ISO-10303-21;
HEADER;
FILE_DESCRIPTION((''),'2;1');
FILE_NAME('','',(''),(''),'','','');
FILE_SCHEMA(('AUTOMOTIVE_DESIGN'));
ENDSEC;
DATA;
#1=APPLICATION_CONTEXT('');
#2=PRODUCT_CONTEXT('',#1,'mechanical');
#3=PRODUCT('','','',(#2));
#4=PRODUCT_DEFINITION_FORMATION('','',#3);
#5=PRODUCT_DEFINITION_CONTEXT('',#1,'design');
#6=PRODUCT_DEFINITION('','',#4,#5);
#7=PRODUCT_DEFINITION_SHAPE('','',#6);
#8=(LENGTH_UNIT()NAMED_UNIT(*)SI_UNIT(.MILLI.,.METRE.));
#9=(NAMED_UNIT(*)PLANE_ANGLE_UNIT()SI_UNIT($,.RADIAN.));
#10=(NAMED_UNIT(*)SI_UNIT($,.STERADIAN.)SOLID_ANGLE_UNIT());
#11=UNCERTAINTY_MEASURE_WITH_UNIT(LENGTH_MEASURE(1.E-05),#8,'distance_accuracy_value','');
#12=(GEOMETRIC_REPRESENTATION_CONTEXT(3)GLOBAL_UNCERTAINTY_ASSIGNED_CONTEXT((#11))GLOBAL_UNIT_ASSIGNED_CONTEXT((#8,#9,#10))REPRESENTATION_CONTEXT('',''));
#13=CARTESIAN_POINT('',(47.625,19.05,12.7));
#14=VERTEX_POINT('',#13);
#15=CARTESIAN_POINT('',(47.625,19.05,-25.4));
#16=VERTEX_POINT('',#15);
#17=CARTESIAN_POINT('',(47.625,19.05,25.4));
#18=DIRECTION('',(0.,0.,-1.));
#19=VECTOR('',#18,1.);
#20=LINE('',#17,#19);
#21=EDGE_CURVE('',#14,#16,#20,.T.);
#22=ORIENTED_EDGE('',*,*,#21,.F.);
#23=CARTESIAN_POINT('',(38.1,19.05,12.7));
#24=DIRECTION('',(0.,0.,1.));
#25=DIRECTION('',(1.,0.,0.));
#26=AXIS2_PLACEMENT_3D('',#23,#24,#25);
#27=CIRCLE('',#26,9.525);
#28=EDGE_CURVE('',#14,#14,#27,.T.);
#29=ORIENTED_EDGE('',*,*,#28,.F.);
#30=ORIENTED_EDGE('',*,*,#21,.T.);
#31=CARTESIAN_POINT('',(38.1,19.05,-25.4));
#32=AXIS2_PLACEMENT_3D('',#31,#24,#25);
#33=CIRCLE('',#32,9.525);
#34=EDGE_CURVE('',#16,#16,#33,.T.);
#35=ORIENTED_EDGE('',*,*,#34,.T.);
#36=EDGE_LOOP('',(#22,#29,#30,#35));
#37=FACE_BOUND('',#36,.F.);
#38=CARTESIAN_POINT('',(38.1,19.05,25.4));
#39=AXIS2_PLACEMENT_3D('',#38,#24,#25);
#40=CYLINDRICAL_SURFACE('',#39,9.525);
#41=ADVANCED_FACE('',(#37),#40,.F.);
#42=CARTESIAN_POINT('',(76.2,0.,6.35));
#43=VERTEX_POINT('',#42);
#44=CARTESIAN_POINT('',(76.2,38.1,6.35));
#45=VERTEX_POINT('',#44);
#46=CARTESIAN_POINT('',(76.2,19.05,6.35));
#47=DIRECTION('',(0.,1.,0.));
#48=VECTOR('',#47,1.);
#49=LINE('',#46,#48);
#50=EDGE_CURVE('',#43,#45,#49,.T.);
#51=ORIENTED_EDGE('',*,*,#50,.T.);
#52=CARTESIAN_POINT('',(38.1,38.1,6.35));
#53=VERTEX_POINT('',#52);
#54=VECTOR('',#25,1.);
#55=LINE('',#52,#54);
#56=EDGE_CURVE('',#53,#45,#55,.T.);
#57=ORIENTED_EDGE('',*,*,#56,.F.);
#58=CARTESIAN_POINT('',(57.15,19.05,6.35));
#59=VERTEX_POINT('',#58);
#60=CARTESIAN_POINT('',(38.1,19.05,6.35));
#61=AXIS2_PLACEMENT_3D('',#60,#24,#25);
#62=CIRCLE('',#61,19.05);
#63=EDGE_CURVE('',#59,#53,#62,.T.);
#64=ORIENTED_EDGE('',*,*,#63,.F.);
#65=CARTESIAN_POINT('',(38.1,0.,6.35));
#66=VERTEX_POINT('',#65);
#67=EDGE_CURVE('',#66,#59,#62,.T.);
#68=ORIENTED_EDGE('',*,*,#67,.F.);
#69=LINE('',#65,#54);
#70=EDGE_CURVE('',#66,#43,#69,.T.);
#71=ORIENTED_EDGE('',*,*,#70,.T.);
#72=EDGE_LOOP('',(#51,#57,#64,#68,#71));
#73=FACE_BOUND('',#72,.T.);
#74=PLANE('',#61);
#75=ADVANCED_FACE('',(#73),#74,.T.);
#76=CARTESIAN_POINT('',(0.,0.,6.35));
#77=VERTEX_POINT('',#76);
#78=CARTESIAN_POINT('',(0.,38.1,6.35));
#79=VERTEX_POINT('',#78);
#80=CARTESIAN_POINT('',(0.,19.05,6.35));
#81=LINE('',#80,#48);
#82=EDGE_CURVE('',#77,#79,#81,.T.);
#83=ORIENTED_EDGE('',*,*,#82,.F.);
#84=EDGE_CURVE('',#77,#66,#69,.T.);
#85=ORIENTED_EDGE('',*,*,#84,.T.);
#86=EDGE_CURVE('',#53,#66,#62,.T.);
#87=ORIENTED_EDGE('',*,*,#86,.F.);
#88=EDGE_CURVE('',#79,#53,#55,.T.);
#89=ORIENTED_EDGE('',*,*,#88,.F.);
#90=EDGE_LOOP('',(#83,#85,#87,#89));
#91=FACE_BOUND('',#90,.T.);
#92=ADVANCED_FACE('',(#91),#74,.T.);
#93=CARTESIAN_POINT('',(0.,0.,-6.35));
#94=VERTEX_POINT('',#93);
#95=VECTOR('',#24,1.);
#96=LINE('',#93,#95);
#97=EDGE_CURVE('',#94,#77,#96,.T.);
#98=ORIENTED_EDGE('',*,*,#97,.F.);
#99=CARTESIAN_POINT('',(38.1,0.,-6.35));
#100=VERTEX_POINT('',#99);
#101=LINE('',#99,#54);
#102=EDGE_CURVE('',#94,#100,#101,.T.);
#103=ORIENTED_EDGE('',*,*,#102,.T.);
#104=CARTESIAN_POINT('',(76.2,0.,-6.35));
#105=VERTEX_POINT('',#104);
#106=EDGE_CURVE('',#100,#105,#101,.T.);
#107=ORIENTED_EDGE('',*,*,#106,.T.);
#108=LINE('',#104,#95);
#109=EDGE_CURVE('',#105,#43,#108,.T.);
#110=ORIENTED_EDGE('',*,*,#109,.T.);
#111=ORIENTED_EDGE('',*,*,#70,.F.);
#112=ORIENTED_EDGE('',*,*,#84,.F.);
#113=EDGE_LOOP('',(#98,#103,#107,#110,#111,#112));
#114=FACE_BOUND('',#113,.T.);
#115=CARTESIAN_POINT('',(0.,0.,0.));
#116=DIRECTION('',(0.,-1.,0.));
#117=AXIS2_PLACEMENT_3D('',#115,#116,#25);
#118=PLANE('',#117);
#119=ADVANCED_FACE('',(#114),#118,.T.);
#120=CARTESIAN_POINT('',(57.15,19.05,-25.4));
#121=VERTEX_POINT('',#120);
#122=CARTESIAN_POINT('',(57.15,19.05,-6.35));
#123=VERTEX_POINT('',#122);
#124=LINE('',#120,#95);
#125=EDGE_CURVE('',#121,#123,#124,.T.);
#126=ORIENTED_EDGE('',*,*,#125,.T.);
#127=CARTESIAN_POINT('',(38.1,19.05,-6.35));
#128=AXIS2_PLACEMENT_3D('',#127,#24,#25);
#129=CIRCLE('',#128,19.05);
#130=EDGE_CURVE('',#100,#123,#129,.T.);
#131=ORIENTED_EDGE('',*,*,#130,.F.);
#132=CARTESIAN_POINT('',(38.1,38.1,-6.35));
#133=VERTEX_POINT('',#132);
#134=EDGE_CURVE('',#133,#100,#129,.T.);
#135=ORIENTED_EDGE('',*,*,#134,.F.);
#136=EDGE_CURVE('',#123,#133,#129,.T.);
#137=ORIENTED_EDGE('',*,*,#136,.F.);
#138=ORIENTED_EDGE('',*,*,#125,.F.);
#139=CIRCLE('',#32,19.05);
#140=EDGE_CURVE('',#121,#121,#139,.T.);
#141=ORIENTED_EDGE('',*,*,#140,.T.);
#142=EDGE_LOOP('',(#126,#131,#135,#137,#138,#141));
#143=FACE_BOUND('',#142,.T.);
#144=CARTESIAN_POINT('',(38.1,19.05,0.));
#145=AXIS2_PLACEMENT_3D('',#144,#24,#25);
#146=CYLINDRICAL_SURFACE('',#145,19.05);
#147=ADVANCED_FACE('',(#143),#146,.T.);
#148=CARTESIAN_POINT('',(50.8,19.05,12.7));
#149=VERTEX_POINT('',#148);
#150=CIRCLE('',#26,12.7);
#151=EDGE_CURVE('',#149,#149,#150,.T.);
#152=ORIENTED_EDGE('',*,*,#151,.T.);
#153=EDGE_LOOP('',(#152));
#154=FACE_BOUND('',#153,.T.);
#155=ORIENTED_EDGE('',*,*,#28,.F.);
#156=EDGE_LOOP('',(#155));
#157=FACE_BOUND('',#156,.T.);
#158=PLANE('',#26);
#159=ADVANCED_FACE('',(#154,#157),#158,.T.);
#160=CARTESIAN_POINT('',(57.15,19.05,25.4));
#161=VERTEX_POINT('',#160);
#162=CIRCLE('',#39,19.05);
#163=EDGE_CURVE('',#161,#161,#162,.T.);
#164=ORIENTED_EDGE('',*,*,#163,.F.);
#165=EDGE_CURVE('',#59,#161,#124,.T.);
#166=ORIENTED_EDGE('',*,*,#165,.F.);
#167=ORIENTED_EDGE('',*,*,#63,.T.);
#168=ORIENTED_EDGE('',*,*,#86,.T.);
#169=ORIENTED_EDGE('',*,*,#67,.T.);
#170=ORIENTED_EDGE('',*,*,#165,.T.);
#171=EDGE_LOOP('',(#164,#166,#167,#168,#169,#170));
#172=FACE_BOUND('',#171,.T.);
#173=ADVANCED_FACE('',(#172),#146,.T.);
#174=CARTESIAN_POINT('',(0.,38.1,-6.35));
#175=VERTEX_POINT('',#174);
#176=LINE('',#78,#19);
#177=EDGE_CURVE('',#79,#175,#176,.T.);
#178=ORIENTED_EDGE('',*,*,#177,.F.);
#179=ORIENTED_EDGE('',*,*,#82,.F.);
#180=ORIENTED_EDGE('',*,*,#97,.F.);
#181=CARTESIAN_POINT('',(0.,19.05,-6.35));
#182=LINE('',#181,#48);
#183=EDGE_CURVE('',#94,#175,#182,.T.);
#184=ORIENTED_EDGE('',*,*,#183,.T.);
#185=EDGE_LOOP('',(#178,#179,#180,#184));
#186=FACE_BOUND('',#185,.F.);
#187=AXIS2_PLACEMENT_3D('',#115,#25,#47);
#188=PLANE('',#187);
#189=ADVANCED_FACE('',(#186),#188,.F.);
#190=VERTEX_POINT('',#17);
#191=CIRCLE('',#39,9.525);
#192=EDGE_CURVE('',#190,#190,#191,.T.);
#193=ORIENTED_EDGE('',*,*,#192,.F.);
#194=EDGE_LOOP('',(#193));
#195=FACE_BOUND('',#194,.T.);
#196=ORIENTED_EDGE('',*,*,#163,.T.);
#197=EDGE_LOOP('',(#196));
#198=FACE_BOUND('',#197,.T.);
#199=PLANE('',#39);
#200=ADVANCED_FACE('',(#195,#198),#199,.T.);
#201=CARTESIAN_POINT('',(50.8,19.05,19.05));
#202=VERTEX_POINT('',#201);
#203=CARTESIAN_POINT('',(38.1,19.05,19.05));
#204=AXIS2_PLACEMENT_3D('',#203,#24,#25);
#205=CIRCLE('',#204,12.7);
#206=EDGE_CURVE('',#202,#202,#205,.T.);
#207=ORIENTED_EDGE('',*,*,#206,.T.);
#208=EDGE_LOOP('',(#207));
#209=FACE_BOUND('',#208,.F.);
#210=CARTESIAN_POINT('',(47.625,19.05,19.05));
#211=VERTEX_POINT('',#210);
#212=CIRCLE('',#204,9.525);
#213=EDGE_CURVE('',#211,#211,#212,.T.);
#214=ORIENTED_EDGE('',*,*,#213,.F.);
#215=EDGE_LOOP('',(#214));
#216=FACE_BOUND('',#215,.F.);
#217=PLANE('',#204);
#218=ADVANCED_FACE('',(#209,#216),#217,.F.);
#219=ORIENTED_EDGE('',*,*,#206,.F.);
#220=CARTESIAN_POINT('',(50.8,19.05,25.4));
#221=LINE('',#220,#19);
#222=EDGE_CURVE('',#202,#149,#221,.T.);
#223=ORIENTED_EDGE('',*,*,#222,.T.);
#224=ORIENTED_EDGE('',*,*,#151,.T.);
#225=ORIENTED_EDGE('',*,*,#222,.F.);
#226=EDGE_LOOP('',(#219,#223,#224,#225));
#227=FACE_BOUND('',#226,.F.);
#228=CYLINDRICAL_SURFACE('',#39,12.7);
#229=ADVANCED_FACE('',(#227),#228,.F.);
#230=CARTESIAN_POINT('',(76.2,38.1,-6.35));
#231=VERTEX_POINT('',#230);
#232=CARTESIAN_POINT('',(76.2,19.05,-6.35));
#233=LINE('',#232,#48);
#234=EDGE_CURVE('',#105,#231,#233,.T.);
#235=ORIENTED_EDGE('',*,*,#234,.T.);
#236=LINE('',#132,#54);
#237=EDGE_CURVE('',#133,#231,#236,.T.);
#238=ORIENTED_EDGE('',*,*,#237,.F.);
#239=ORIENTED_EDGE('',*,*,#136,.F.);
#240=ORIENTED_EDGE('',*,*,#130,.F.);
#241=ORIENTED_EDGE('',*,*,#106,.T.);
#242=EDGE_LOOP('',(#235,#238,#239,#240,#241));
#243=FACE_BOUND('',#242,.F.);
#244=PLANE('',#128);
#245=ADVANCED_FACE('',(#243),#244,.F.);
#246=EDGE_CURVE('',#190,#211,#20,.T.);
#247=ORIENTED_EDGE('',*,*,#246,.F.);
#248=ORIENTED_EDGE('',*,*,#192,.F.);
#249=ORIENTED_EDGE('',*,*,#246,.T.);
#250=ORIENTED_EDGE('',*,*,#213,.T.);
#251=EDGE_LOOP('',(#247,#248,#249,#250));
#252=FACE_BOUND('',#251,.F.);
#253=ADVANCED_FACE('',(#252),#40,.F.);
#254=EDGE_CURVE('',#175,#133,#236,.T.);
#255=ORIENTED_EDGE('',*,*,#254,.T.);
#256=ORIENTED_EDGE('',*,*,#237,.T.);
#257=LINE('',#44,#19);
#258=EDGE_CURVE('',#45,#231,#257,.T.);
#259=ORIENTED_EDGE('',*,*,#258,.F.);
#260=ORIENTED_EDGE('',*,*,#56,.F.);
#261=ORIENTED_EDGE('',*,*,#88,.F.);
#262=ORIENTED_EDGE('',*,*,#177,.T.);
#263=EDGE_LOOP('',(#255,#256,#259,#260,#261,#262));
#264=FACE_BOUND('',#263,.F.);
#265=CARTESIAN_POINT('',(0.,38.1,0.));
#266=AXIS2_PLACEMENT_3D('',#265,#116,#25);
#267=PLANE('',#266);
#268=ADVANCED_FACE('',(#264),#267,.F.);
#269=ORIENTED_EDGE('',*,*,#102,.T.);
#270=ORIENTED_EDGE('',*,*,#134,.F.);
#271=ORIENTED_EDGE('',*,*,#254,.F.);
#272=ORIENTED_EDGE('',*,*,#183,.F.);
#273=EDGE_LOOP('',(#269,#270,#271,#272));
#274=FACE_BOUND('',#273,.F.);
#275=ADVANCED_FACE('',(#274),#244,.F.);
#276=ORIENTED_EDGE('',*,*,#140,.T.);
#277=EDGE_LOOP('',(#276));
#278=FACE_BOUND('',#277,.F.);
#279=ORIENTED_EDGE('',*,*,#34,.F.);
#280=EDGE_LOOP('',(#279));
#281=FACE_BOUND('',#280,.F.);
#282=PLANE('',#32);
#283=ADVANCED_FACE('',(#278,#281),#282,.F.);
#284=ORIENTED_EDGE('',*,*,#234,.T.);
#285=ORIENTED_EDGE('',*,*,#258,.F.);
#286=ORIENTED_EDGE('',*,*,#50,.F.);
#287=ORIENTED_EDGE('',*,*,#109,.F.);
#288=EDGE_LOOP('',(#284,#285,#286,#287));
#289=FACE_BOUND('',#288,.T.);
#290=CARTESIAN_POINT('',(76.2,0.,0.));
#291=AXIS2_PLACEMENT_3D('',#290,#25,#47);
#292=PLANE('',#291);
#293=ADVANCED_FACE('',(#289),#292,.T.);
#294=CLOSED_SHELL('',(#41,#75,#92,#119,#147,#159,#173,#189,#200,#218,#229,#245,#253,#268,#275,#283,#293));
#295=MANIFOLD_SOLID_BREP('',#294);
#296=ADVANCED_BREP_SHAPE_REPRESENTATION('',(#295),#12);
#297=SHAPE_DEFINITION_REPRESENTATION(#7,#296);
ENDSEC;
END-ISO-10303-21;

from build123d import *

# Parameters (mm, degrees)
F0_W      = 76.2
F0_H      = 38.1
F1_DEPTH  = 6.35
F2_R      = 19.05
F3_DEPTH  = 25.4
F4_R      = 9.525
F5_DEPTH  = 50.801
F6_R      = 12.7
F7_DEPTH  = 12.7
F8_R      = 12.7
F9_DEPTH  = 6.35
F10_R     = 9.525
F11_DEPTH = 50.801


with BuildPart() as f1:
    # F0 (on Top) → F1 (new body, symmetric)
    with BuildSketch(Plane.XY):
        with Locations((38.1, 19.05)):
            Rectangle(F0_W, F0_H)
    extrude(amount=F1_DEPTH, both=True)

    # F2 (on Top) → F3 (join, symmetric)
    with BuildSketch(Plane.XY):
        with Locations((38.1, 19.05)):
            Circle(F2_R)
    extrude(amount=F3_DEPTH, both=True)

    # F4 (on face) → F5 (cut, through all)
    with BuildSketch(Plane.XY.offset(25.4)):
        with Locations((38.1, 19.05)):
            Circle(F4_R)
    extrude(amount=-F5_DEPTH, mode=Mode.SUBTRACT)

    # F6 (on face) → F7 (cut)
    with BuildSketch(Plane.XY.offset(25.4)):
        with Locations((38.1, 19.05)):
            Circle(F6_R)
    extrude(amount=-F7_DEPTH, mode=Mode.SUBTRACT)

    # F8 (on face) → F9 (join)
    with BuildSketch(Plane.XY.offset(25.4)):
        with Locations((38.1, 19.05)):
            Circle(F8_R)
    extrude(amount=-F9_DEPTH)

    # F10 (on face) → F11 (cut, through all)
    with BuildSketch(Plane.XY.offset(25.4)):
        with Locations((38.1, 19.05)):
            Circle(F10_R)
    extrude(amount=-F11_DEPTH, mode=Mode.SUBTRACT)


solid = f1.part
